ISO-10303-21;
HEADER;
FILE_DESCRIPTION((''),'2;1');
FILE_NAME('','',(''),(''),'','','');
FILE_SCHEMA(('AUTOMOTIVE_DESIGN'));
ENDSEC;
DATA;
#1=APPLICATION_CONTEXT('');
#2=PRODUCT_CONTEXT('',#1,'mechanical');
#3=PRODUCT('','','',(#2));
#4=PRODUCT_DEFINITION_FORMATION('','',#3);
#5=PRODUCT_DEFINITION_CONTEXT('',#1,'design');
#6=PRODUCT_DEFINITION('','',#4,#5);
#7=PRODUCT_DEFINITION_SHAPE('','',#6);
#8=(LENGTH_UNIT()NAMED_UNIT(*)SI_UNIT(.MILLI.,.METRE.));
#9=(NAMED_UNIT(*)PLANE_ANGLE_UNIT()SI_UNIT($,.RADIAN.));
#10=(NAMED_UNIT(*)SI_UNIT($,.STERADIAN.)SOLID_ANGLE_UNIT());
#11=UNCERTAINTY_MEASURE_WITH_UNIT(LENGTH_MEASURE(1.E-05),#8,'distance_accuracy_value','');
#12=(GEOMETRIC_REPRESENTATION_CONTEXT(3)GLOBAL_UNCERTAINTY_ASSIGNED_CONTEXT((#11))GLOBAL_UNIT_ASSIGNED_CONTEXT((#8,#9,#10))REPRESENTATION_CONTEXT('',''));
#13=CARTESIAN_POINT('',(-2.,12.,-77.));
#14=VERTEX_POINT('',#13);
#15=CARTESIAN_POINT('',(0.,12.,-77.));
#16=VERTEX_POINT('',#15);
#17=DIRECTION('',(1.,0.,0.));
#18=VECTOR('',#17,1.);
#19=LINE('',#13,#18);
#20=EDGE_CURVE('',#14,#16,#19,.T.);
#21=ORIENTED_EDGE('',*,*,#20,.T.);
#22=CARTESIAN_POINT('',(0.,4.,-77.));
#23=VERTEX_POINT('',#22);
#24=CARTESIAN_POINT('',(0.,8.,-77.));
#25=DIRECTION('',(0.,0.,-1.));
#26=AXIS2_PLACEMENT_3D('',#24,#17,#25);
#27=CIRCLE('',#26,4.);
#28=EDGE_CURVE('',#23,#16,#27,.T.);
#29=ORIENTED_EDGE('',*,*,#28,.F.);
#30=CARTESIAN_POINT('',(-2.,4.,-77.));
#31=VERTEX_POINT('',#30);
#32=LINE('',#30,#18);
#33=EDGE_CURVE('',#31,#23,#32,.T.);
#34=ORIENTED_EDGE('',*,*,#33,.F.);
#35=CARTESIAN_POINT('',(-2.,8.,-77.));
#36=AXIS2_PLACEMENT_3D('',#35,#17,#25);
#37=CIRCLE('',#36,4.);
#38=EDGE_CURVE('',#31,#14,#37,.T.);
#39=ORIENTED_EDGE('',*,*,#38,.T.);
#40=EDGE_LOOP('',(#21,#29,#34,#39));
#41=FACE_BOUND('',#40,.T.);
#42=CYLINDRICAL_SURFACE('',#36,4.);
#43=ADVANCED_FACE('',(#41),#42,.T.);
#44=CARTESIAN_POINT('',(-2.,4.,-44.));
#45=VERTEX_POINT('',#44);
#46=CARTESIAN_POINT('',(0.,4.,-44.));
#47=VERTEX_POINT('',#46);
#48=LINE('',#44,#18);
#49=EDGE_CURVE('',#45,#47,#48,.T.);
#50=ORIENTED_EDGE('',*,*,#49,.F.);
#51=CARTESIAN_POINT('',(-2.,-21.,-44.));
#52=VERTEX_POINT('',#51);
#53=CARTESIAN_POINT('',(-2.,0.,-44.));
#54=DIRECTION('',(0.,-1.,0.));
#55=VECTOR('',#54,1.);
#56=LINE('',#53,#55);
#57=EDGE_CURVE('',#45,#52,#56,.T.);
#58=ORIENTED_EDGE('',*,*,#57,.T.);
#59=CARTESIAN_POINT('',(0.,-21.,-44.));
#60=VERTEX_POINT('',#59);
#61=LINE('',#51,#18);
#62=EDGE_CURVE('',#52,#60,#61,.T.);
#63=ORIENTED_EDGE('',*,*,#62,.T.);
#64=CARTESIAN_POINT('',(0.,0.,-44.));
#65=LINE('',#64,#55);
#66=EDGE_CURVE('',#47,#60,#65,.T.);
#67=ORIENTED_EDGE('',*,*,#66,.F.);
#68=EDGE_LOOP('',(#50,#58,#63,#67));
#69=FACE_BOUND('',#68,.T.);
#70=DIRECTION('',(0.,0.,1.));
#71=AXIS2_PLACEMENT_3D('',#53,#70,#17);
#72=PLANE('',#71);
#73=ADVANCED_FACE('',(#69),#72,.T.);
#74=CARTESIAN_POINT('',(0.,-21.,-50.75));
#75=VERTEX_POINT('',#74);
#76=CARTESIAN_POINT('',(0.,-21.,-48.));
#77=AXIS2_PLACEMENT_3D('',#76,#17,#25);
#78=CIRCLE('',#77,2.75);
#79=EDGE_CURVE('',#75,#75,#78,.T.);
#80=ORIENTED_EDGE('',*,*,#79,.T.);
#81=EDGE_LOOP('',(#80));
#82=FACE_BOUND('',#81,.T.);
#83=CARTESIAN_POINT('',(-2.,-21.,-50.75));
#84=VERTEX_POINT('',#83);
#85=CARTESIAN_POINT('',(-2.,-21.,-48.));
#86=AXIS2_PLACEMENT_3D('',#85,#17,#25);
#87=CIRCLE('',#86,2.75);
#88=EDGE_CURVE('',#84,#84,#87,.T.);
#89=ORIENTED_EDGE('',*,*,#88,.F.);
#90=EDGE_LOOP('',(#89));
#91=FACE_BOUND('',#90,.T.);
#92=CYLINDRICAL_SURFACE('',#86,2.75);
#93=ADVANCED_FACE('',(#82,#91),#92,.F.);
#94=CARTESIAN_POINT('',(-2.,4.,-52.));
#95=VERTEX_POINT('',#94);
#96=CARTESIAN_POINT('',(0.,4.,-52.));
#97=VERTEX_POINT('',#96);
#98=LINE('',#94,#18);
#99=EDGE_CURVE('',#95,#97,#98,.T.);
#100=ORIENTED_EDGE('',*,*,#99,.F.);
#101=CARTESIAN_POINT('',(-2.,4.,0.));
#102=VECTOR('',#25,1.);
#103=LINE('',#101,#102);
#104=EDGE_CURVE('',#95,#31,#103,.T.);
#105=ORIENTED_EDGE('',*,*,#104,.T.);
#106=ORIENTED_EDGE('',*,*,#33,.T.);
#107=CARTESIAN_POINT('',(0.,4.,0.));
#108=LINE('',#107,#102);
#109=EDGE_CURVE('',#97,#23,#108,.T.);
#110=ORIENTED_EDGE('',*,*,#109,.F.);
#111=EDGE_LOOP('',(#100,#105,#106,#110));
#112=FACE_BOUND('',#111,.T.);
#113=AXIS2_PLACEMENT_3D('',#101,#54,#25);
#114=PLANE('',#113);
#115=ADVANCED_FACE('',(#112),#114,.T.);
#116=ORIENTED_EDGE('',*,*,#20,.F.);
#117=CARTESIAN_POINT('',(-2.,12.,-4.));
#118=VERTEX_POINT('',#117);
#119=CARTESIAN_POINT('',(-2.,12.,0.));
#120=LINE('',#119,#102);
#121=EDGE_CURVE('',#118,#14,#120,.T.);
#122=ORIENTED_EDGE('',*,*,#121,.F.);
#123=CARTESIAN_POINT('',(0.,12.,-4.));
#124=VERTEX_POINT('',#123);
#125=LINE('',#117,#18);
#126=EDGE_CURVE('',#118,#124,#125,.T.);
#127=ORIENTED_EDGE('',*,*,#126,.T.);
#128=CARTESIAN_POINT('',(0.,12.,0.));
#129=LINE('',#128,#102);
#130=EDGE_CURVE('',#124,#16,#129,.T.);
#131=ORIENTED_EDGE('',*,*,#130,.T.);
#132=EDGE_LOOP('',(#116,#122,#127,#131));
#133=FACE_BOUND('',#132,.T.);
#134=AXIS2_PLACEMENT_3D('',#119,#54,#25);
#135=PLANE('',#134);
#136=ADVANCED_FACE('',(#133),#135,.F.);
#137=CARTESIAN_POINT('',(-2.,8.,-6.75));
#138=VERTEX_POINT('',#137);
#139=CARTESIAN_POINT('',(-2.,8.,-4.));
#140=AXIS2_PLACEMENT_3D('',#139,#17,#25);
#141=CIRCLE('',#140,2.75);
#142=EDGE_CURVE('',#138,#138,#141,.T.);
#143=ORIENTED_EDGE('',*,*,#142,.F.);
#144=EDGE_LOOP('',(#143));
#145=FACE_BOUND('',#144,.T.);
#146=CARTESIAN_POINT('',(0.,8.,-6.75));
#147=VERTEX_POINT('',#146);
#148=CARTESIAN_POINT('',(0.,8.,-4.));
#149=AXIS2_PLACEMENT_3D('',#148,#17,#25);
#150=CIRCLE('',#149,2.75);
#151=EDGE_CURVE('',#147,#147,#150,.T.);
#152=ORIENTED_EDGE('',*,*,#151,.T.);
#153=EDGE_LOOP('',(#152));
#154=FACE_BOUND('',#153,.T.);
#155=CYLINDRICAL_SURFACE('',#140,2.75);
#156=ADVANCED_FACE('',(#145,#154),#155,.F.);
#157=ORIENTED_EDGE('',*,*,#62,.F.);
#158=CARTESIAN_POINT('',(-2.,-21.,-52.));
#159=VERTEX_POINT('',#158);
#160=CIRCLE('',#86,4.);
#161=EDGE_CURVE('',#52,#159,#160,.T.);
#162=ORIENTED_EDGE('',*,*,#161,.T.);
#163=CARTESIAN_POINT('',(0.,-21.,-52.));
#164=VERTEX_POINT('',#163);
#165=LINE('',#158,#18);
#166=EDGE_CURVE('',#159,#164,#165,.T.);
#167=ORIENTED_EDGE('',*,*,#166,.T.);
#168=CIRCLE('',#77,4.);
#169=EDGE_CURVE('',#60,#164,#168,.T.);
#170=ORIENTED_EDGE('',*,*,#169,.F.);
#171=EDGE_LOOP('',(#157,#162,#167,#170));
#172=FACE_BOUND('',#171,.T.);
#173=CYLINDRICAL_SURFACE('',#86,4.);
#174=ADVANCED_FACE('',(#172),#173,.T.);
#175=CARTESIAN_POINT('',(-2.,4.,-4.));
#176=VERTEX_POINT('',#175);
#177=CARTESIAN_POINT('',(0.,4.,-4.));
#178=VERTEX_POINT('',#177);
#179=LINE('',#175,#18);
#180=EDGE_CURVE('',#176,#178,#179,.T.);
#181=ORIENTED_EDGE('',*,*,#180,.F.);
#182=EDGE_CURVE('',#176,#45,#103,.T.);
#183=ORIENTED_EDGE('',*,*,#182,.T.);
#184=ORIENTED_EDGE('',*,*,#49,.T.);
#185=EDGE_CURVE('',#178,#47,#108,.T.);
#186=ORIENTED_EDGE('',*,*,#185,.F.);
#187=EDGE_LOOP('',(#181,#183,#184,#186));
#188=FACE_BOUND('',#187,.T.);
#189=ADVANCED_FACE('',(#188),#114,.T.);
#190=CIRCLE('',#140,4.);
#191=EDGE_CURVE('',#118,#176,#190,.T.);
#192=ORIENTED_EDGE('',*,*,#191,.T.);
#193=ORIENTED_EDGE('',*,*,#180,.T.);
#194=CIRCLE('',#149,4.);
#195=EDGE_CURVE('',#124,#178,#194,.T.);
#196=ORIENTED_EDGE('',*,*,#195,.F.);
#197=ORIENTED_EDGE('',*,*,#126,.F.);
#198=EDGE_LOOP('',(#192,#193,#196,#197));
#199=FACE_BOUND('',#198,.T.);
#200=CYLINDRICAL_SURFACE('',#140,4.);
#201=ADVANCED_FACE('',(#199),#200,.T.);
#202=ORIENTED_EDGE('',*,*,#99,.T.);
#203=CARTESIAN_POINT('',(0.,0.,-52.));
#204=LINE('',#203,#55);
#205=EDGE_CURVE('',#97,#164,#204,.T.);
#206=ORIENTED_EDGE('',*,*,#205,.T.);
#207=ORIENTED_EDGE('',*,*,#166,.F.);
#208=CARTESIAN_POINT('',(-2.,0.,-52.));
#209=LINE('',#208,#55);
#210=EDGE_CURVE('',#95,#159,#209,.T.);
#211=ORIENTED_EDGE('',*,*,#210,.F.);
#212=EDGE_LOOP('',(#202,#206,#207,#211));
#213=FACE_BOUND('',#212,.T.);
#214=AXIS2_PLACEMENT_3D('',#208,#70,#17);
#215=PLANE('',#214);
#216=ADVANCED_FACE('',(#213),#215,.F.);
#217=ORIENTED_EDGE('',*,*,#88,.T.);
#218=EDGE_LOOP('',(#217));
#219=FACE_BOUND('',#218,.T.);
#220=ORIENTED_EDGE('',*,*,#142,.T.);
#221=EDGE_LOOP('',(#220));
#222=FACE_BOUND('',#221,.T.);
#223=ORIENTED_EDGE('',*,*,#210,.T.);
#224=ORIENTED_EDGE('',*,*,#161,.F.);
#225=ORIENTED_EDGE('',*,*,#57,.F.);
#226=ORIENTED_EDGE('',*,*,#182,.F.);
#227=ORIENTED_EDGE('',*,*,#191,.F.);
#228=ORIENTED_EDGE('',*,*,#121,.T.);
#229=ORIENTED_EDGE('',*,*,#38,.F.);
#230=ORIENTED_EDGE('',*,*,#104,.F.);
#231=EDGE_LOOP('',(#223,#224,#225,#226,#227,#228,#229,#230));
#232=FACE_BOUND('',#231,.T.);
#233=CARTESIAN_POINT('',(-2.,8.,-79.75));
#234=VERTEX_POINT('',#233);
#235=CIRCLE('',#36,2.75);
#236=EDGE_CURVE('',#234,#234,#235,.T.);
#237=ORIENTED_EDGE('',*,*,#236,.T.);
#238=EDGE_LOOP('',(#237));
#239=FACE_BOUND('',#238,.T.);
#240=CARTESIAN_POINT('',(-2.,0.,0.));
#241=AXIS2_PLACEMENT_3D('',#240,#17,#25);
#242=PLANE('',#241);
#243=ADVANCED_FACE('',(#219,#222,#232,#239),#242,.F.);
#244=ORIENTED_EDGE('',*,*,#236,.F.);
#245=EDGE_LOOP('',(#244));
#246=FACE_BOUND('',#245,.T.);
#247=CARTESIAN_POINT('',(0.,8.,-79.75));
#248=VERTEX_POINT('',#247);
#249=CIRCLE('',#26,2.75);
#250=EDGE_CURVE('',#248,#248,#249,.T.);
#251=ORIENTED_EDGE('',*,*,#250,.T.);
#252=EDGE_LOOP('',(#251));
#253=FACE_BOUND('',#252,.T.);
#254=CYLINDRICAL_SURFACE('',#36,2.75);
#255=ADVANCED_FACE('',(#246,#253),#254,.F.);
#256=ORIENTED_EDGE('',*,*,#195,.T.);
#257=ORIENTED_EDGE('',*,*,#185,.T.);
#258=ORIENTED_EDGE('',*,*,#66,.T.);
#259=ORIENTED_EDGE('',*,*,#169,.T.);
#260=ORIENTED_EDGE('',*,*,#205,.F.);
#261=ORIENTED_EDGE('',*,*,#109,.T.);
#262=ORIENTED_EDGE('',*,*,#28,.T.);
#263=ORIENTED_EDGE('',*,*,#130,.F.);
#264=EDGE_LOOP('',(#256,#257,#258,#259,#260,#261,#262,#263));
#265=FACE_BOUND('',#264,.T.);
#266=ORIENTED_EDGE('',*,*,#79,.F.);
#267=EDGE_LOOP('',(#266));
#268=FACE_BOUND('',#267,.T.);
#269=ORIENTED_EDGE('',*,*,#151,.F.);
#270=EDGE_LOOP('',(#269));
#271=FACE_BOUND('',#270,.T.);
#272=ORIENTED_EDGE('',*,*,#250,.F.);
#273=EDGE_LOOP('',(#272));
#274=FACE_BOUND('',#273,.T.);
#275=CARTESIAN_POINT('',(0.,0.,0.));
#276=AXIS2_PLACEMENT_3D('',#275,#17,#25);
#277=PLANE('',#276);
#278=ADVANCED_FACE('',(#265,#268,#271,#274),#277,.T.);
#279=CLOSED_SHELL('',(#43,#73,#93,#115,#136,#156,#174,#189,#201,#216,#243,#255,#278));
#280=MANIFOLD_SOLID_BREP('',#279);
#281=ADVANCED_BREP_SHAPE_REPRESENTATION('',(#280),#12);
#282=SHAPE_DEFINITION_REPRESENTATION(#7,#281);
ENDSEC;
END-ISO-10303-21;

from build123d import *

# Parameters (mm, degrees)
SKETCH1_R           = 2.75
BOSS_EXTRUDE1_DEPTH = 2


with BuildPart() as part:
    # Sketch1 → Boss-Extrude1 (new body)
    with BuildSketch(Plane(origin=(0, 0, 0), x_dir=(0, 0, -1), z_dir=(1, 0, 0))):
        with BuildLine():
            Line((4, 4), (44, 4))
            Line((44, 4), (44, -21))
            ThreePointArc((44, -21), (48, -25), (52, -21))
            Line((52, -21), (52, 4))
            Line((52, 4), (77, 4))
            ThreePointArc((77, 4), (81, 8), (77, 12))
            Line((77, 12), (4, 12))
            ThreePointArc((4, 12), (0, 8), (4, 4))
        make_face()
        with Locations((4, 8)):
            Circle(SKETCH1_R, mode=Mode.SUBTRACT)
        with Locations((77, 8)):
            Circle(SKETCH1_R, mode=Mode.SUBTRACT)
        with Locations((48, -21)):
            Circle(SKETCH1_R, mode=Mode.SUBTRACT)
    extrude(amount=-BOSS_EXTRUDE1_DEPTH)


solid = part.part
